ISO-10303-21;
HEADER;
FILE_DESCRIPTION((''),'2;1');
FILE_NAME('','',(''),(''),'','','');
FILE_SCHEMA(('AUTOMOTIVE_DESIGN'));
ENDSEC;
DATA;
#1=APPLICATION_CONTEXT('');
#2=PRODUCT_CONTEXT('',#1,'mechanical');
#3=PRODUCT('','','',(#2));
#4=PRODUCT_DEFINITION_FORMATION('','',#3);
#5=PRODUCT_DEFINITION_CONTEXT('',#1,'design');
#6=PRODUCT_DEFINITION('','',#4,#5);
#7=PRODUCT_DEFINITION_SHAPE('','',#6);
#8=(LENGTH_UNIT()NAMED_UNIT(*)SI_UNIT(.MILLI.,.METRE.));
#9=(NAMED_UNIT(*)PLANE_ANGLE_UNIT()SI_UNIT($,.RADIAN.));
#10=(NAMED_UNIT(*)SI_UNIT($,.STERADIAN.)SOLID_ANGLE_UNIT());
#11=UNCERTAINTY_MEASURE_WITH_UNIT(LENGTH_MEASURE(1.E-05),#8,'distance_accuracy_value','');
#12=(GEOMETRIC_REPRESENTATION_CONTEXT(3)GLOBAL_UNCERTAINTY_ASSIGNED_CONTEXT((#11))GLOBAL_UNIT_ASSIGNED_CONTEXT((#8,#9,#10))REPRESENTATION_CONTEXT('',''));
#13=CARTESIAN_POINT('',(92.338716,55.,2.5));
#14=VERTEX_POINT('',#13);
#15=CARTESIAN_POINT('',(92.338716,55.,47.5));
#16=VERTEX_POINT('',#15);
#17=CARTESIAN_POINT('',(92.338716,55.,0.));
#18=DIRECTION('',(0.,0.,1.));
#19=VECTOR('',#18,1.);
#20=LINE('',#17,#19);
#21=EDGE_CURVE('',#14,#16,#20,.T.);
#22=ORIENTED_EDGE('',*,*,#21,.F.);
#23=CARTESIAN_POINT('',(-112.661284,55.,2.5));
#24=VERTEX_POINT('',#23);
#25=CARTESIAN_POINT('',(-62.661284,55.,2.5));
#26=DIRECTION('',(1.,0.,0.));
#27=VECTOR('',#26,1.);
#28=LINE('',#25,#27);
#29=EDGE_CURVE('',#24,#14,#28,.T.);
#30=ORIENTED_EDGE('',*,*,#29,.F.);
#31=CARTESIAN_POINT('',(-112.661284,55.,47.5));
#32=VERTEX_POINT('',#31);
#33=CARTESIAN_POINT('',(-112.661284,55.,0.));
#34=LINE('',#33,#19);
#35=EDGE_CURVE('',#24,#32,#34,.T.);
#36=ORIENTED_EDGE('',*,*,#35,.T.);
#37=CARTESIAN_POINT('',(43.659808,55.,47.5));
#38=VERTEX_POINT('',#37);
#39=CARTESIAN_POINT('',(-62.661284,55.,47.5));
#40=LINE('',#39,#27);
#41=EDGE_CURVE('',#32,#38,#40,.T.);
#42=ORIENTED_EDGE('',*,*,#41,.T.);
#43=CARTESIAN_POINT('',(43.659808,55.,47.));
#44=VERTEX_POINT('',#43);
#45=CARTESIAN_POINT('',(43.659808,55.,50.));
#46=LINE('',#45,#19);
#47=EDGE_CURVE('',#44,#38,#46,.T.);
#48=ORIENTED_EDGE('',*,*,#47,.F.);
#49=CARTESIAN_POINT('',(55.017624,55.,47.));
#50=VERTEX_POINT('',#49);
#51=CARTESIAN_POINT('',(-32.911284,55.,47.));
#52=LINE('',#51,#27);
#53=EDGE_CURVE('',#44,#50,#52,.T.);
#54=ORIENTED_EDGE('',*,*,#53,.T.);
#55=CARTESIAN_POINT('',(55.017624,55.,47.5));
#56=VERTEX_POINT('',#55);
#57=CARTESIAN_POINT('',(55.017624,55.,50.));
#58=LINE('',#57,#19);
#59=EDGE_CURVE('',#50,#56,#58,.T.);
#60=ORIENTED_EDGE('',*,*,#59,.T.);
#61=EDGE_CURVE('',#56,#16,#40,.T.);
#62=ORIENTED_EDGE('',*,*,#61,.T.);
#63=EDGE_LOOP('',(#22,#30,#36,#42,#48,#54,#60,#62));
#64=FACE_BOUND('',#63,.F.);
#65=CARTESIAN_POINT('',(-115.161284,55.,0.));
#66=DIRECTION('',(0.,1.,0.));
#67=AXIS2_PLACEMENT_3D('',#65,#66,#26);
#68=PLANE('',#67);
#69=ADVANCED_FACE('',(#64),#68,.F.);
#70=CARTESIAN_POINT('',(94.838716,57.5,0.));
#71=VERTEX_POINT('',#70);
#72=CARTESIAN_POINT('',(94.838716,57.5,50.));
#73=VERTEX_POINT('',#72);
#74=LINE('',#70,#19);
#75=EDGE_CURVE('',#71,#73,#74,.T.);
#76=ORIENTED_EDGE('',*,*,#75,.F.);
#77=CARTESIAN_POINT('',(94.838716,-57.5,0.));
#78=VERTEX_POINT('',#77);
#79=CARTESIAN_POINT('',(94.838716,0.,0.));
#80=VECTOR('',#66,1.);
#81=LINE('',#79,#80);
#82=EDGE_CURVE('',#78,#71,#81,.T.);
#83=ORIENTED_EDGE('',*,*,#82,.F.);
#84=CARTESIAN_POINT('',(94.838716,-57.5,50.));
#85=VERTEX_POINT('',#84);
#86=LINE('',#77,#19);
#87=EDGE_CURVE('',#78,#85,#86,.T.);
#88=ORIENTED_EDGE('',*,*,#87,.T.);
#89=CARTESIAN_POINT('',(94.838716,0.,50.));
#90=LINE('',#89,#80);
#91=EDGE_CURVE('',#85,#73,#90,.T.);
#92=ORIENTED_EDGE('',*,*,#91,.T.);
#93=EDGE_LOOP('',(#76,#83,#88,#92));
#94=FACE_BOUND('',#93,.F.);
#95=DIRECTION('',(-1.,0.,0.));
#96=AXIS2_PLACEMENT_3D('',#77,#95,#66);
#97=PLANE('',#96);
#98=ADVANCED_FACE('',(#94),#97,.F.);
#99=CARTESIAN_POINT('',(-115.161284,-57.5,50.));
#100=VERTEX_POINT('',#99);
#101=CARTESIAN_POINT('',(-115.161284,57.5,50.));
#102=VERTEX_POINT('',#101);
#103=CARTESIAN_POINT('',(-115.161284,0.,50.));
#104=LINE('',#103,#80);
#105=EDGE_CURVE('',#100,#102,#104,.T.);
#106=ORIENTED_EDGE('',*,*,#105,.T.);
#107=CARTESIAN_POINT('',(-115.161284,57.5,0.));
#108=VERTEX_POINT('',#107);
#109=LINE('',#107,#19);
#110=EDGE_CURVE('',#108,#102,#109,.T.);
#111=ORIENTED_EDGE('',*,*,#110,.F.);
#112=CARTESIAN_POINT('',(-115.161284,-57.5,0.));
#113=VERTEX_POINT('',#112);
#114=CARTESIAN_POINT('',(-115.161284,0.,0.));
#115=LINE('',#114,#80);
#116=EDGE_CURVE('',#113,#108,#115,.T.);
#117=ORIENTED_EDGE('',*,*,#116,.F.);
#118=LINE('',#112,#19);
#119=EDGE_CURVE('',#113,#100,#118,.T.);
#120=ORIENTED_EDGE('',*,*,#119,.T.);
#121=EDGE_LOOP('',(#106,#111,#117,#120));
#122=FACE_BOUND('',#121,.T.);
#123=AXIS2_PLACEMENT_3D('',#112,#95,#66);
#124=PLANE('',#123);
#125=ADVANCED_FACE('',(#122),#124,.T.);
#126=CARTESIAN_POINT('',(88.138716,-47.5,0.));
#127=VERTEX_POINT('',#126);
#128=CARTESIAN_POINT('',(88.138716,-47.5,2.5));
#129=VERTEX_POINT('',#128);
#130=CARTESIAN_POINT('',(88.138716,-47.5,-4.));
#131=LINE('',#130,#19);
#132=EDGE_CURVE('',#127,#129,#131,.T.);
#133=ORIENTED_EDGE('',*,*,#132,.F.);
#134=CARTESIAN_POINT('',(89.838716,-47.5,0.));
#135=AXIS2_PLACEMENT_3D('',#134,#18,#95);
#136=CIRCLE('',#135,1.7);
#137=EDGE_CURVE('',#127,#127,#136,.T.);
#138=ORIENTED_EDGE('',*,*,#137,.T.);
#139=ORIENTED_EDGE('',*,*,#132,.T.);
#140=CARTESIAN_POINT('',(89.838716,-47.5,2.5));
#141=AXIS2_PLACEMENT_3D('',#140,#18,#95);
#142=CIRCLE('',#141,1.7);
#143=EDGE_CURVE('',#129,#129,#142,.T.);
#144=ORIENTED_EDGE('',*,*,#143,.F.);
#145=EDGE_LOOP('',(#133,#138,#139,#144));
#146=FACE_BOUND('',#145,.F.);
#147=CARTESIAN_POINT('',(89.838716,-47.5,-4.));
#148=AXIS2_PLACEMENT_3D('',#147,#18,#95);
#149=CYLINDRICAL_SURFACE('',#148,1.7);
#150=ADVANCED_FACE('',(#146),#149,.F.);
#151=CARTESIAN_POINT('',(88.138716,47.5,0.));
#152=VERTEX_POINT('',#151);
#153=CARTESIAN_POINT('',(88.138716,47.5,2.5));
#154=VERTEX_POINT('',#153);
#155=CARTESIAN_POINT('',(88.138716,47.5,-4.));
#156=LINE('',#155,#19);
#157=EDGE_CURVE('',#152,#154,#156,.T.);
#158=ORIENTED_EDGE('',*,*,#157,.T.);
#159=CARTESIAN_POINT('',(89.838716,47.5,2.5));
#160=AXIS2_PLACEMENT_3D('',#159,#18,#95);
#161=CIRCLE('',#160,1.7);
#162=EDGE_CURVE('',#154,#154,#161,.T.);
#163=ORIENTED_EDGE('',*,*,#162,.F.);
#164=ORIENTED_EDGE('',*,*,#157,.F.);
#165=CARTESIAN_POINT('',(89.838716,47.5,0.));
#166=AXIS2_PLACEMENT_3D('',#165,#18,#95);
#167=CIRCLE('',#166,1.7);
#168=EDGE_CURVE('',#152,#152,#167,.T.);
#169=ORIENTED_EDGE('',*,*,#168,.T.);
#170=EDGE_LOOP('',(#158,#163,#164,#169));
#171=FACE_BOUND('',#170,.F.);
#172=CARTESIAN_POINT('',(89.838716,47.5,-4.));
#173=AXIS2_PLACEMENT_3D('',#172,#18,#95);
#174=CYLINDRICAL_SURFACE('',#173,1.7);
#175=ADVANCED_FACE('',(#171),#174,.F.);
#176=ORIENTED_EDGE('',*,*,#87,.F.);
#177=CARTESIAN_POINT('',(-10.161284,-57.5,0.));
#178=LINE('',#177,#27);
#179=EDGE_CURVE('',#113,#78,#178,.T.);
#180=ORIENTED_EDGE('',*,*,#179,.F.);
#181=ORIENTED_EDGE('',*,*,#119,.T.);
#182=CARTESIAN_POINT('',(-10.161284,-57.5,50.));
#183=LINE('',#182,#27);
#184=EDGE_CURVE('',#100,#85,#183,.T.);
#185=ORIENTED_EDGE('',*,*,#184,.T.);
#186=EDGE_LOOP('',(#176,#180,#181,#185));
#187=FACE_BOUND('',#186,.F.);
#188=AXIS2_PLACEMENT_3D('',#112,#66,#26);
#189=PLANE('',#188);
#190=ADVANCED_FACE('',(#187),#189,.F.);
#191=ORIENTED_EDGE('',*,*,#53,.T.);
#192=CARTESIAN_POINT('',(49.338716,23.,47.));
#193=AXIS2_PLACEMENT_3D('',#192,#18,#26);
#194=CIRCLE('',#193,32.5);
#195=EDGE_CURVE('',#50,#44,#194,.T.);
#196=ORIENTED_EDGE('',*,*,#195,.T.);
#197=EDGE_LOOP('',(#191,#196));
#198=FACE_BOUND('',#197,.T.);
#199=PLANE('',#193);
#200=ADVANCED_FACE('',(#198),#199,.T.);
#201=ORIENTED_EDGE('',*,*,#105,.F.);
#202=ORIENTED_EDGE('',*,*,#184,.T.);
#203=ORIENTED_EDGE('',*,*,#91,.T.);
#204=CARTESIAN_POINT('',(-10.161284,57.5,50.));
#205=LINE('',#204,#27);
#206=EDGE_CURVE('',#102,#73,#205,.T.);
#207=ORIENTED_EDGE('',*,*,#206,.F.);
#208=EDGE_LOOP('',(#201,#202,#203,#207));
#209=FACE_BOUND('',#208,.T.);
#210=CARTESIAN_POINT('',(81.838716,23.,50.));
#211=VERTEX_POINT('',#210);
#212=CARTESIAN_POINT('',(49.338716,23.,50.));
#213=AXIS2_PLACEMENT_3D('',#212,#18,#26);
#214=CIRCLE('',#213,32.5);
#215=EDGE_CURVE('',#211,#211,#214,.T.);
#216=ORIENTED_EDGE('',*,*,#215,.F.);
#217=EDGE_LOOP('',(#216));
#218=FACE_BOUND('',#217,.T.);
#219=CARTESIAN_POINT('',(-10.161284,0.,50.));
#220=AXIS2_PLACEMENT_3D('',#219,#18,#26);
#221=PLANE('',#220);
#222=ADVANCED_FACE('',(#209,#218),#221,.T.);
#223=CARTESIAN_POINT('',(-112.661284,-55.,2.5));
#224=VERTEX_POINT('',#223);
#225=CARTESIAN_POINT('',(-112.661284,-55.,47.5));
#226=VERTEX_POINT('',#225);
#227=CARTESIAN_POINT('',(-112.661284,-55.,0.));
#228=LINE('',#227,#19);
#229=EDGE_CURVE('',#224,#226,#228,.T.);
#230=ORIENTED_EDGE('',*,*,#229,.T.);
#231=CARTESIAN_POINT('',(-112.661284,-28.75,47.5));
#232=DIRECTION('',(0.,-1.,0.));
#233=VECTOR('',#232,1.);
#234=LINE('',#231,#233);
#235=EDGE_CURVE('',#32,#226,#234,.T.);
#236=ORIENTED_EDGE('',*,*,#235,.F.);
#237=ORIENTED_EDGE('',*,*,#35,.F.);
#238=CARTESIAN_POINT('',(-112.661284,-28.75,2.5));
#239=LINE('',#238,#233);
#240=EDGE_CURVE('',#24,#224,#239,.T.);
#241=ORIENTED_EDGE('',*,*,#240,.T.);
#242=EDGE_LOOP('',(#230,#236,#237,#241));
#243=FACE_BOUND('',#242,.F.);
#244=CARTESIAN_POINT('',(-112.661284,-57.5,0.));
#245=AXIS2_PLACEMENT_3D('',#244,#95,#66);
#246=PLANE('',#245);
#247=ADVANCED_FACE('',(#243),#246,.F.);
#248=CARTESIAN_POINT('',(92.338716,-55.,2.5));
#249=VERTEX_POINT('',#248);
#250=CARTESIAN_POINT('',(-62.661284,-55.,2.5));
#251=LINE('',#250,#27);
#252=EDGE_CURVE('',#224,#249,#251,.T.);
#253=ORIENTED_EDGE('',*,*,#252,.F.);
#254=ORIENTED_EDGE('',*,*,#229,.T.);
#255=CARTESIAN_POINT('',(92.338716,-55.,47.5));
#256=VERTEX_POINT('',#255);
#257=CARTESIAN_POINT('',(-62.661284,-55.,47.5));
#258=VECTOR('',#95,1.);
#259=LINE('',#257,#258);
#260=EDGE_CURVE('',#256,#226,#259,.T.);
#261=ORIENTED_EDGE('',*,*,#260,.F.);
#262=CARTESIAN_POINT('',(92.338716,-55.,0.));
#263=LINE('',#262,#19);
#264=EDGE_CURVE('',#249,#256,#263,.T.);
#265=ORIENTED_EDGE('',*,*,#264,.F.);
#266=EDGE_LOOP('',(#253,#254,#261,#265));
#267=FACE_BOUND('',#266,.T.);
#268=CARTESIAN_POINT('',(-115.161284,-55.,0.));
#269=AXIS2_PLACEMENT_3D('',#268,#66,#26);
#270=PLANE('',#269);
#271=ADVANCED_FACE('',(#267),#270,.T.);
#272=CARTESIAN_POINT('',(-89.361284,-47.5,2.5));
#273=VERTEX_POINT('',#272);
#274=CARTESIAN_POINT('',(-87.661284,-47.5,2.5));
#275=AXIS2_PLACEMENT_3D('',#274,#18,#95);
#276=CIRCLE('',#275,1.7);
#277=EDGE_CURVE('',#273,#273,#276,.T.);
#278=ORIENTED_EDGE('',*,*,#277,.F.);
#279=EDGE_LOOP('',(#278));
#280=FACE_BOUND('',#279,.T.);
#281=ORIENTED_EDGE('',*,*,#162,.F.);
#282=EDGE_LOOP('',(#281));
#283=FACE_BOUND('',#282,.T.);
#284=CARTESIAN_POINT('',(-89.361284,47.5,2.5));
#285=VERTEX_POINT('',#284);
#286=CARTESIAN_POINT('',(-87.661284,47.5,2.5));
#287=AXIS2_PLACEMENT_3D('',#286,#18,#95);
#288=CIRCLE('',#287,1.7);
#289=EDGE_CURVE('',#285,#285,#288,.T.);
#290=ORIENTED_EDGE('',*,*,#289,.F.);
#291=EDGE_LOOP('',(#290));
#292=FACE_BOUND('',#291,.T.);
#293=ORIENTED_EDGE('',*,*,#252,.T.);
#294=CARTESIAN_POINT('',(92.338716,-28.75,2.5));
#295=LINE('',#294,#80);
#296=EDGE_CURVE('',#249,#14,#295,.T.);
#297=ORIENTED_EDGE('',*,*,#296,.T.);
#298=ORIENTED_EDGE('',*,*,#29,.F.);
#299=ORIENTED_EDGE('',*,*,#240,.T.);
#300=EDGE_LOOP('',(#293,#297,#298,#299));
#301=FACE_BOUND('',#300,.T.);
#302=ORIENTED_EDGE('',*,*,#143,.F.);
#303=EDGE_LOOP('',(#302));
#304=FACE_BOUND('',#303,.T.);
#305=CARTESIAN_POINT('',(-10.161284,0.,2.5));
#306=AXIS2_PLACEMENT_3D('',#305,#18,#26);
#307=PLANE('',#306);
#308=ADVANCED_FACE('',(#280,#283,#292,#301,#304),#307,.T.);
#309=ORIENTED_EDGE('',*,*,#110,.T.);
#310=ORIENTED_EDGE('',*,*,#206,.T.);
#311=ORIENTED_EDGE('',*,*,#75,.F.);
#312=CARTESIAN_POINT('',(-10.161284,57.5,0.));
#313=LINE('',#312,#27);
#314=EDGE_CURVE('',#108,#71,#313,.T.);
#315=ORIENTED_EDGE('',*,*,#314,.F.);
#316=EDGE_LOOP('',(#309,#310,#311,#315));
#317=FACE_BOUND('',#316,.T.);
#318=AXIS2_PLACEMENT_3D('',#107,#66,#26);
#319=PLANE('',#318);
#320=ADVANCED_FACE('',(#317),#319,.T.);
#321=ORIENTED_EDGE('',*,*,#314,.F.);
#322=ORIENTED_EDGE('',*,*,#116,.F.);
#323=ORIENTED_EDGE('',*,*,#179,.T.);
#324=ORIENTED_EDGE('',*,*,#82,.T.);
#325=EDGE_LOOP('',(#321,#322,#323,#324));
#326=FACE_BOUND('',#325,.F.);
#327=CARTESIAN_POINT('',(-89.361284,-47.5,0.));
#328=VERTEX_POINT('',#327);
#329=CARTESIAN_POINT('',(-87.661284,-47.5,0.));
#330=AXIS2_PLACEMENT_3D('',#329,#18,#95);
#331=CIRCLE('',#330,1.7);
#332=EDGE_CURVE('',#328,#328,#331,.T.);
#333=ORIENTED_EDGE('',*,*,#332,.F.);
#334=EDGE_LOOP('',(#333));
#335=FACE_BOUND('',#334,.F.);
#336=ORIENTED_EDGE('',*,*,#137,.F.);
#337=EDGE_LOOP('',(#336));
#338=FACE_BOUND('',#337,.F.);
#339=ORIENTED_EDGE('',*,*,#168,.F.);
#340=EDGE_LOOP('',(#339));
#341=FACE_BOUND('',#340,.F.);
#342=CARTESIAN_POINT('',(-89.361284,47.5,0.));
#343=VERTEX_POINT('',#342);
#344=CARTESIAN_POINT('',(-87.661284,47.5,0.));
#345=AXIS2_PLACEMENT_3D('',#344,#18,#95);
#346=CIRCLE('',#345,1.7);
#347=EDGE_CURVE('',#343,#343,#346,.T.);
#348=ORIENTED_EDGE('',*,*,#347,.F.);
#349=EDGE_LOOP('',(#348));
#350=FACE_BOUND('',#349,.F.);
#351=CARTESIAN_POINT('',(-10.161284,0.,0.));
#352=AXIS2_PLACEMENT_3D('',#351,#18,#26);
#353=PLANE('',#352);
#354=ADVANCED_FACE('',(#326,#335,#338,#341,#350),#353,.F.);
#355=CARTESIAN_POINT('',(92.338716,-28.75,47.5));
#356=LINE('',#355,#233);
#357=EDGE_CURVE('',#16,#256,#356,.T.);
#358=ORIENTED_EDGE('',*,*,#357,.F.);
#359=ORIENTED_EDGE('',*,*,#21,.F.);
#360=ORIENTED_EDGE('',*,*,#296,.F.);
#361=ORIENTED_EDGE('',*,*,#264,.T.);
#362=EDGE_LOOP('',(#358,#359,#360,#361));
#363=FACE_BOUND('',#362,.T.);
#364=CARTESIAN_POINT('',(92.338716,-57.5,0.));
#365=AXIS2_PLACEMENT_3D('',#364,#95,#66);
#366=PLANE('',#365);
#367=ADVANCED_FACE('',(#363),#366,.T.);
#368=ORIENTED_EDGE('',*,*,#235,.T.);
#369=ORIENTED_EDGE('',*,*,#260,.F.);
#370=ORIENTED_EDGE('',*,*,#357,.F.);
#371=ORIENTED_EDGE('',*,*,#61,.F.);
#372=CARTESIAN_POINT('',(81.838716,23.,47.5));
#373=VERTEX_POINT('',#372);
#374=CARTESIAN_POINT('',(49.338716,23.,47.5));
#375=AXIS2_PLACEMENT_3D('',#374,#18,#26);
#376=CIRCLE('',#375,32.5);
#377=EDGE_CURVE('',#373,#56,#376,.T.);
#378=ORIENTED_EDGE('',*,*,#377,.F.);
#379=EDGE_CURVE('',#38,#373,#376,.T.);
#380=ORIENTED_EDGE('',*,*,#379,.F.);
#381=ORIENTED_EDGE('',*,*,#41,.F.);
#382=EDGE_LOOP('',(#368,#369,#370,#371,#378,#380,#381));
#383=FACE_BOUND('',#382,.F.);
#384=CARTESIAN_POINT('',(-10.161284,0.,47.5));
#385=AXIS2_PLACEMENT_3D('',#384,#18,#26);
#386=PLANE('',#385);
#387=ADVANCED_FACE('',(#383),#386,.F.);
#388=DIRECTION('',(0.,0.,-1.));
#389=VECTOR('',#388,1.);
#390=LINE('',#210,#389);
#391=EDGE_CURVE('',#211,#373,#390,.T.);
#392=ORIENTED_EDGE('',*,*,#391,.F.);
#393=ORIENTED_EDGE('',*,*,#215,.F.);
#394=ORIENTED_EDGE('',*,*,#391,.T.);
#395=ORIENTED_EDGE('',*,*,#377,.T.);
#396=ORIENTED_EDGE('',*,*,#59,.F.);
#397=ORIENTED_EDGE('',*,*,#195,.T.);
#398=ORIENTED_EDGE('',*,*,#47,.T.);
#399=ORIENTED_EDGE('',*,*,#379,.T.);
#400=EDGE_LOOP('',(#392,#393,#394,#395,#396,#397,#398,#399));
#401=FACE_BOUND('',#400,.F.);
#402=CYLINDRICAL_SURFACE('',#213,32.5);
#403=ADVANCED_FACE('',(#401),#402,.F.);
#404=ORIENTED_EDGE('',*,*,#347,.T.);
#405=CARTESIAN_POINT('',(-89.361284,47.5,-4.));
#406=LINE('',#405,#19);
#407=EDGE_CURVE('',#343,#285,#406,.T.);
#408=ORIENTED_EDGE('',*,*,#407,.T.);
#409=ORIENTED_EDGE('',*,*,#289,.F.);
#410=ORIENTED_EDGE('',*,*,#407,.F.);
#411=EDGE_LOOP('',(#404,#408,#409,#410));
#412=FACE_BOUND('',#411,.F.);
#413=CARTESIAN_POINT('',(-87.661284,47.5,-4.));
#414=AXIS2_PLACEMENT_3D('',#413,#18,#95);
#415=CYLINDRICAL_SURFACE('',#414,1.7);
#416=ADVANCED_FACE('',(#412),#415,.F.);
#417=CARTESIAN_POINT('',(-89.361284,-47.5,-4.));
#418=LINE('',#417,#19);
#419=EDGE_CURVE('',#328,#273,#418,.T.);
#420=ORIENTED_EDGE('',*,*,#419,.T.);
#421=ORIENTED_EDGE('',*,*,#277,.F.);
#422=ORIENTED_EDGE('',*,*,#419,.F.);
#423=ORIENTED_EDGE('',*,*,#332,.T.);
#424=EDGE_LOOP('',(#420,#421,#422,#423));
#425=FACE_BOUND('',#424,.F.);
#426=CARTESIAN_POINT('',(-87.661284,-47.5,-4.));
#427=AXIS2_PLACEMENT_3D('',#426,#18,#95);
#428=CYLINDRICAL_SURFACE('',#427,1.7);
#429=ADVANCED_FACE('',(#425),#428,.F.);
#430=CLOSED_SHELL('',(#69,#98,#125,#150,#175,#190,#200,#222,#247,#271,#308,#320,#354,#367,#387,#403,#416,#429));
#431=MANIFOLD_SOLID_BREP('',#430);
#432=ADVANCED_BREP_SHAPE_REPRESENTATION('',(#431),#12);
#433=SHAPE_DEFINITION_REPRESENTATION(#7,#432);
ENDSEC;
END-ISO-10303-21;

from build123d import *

# Parameters (mm, degrees)
F0_W     = 210
F0_H     = 115
F1_DEPTH = 50
F3_T     = -2.5
F2_R     = 32.5
F4_DEPTH = 3
F6_D     = 3.4
F6_DEPTH = 4
F6_TIP   = 1.0214630523


with BuildPart() as f1:
    # F0 (on Top) → F1 (new body)
    with BuildSketch(Plane.XY):
        with Locations((-10.1612838779, 0)):
            Rectangle(F0_W, F0_H)
    extrude(amount=F1_DEPTH)

    # F3 (hollow: no face is removed)
    offset(amount=F3_T, mode=Mode.SUBTRACT)

    # F2 (on face) → F4 (cut)
    with BuildSketch(Plane.XY.offset(50)):
        with Locations((49.3387161221, 23)):
            Circle(F2_R)
    extrude(amount=-F4_DEPTH, mode=Mode.SUBTRACT)

    # F6
    with Locations(Plane(origin=(0, 0, 0), x_dir=(1, 0, 0), z_dir=(0, 0, -1))):
        with Locations((-87.6612838779, 47.5), (89.8387161221, 47.5), (89.8387161221, -47.5), (-87.6612838779, -47.5)):
            Hole(F6_D / 2, depth=F6_DEPTH)
            with Locations((0, 0, -(F6_DEPTH + F6_TIP / 2))):  # 118° drill point
                Cone(0, F6_D / 2, F6_TIP, mode=Mode.SUBTRACT)


solid = f1.part
